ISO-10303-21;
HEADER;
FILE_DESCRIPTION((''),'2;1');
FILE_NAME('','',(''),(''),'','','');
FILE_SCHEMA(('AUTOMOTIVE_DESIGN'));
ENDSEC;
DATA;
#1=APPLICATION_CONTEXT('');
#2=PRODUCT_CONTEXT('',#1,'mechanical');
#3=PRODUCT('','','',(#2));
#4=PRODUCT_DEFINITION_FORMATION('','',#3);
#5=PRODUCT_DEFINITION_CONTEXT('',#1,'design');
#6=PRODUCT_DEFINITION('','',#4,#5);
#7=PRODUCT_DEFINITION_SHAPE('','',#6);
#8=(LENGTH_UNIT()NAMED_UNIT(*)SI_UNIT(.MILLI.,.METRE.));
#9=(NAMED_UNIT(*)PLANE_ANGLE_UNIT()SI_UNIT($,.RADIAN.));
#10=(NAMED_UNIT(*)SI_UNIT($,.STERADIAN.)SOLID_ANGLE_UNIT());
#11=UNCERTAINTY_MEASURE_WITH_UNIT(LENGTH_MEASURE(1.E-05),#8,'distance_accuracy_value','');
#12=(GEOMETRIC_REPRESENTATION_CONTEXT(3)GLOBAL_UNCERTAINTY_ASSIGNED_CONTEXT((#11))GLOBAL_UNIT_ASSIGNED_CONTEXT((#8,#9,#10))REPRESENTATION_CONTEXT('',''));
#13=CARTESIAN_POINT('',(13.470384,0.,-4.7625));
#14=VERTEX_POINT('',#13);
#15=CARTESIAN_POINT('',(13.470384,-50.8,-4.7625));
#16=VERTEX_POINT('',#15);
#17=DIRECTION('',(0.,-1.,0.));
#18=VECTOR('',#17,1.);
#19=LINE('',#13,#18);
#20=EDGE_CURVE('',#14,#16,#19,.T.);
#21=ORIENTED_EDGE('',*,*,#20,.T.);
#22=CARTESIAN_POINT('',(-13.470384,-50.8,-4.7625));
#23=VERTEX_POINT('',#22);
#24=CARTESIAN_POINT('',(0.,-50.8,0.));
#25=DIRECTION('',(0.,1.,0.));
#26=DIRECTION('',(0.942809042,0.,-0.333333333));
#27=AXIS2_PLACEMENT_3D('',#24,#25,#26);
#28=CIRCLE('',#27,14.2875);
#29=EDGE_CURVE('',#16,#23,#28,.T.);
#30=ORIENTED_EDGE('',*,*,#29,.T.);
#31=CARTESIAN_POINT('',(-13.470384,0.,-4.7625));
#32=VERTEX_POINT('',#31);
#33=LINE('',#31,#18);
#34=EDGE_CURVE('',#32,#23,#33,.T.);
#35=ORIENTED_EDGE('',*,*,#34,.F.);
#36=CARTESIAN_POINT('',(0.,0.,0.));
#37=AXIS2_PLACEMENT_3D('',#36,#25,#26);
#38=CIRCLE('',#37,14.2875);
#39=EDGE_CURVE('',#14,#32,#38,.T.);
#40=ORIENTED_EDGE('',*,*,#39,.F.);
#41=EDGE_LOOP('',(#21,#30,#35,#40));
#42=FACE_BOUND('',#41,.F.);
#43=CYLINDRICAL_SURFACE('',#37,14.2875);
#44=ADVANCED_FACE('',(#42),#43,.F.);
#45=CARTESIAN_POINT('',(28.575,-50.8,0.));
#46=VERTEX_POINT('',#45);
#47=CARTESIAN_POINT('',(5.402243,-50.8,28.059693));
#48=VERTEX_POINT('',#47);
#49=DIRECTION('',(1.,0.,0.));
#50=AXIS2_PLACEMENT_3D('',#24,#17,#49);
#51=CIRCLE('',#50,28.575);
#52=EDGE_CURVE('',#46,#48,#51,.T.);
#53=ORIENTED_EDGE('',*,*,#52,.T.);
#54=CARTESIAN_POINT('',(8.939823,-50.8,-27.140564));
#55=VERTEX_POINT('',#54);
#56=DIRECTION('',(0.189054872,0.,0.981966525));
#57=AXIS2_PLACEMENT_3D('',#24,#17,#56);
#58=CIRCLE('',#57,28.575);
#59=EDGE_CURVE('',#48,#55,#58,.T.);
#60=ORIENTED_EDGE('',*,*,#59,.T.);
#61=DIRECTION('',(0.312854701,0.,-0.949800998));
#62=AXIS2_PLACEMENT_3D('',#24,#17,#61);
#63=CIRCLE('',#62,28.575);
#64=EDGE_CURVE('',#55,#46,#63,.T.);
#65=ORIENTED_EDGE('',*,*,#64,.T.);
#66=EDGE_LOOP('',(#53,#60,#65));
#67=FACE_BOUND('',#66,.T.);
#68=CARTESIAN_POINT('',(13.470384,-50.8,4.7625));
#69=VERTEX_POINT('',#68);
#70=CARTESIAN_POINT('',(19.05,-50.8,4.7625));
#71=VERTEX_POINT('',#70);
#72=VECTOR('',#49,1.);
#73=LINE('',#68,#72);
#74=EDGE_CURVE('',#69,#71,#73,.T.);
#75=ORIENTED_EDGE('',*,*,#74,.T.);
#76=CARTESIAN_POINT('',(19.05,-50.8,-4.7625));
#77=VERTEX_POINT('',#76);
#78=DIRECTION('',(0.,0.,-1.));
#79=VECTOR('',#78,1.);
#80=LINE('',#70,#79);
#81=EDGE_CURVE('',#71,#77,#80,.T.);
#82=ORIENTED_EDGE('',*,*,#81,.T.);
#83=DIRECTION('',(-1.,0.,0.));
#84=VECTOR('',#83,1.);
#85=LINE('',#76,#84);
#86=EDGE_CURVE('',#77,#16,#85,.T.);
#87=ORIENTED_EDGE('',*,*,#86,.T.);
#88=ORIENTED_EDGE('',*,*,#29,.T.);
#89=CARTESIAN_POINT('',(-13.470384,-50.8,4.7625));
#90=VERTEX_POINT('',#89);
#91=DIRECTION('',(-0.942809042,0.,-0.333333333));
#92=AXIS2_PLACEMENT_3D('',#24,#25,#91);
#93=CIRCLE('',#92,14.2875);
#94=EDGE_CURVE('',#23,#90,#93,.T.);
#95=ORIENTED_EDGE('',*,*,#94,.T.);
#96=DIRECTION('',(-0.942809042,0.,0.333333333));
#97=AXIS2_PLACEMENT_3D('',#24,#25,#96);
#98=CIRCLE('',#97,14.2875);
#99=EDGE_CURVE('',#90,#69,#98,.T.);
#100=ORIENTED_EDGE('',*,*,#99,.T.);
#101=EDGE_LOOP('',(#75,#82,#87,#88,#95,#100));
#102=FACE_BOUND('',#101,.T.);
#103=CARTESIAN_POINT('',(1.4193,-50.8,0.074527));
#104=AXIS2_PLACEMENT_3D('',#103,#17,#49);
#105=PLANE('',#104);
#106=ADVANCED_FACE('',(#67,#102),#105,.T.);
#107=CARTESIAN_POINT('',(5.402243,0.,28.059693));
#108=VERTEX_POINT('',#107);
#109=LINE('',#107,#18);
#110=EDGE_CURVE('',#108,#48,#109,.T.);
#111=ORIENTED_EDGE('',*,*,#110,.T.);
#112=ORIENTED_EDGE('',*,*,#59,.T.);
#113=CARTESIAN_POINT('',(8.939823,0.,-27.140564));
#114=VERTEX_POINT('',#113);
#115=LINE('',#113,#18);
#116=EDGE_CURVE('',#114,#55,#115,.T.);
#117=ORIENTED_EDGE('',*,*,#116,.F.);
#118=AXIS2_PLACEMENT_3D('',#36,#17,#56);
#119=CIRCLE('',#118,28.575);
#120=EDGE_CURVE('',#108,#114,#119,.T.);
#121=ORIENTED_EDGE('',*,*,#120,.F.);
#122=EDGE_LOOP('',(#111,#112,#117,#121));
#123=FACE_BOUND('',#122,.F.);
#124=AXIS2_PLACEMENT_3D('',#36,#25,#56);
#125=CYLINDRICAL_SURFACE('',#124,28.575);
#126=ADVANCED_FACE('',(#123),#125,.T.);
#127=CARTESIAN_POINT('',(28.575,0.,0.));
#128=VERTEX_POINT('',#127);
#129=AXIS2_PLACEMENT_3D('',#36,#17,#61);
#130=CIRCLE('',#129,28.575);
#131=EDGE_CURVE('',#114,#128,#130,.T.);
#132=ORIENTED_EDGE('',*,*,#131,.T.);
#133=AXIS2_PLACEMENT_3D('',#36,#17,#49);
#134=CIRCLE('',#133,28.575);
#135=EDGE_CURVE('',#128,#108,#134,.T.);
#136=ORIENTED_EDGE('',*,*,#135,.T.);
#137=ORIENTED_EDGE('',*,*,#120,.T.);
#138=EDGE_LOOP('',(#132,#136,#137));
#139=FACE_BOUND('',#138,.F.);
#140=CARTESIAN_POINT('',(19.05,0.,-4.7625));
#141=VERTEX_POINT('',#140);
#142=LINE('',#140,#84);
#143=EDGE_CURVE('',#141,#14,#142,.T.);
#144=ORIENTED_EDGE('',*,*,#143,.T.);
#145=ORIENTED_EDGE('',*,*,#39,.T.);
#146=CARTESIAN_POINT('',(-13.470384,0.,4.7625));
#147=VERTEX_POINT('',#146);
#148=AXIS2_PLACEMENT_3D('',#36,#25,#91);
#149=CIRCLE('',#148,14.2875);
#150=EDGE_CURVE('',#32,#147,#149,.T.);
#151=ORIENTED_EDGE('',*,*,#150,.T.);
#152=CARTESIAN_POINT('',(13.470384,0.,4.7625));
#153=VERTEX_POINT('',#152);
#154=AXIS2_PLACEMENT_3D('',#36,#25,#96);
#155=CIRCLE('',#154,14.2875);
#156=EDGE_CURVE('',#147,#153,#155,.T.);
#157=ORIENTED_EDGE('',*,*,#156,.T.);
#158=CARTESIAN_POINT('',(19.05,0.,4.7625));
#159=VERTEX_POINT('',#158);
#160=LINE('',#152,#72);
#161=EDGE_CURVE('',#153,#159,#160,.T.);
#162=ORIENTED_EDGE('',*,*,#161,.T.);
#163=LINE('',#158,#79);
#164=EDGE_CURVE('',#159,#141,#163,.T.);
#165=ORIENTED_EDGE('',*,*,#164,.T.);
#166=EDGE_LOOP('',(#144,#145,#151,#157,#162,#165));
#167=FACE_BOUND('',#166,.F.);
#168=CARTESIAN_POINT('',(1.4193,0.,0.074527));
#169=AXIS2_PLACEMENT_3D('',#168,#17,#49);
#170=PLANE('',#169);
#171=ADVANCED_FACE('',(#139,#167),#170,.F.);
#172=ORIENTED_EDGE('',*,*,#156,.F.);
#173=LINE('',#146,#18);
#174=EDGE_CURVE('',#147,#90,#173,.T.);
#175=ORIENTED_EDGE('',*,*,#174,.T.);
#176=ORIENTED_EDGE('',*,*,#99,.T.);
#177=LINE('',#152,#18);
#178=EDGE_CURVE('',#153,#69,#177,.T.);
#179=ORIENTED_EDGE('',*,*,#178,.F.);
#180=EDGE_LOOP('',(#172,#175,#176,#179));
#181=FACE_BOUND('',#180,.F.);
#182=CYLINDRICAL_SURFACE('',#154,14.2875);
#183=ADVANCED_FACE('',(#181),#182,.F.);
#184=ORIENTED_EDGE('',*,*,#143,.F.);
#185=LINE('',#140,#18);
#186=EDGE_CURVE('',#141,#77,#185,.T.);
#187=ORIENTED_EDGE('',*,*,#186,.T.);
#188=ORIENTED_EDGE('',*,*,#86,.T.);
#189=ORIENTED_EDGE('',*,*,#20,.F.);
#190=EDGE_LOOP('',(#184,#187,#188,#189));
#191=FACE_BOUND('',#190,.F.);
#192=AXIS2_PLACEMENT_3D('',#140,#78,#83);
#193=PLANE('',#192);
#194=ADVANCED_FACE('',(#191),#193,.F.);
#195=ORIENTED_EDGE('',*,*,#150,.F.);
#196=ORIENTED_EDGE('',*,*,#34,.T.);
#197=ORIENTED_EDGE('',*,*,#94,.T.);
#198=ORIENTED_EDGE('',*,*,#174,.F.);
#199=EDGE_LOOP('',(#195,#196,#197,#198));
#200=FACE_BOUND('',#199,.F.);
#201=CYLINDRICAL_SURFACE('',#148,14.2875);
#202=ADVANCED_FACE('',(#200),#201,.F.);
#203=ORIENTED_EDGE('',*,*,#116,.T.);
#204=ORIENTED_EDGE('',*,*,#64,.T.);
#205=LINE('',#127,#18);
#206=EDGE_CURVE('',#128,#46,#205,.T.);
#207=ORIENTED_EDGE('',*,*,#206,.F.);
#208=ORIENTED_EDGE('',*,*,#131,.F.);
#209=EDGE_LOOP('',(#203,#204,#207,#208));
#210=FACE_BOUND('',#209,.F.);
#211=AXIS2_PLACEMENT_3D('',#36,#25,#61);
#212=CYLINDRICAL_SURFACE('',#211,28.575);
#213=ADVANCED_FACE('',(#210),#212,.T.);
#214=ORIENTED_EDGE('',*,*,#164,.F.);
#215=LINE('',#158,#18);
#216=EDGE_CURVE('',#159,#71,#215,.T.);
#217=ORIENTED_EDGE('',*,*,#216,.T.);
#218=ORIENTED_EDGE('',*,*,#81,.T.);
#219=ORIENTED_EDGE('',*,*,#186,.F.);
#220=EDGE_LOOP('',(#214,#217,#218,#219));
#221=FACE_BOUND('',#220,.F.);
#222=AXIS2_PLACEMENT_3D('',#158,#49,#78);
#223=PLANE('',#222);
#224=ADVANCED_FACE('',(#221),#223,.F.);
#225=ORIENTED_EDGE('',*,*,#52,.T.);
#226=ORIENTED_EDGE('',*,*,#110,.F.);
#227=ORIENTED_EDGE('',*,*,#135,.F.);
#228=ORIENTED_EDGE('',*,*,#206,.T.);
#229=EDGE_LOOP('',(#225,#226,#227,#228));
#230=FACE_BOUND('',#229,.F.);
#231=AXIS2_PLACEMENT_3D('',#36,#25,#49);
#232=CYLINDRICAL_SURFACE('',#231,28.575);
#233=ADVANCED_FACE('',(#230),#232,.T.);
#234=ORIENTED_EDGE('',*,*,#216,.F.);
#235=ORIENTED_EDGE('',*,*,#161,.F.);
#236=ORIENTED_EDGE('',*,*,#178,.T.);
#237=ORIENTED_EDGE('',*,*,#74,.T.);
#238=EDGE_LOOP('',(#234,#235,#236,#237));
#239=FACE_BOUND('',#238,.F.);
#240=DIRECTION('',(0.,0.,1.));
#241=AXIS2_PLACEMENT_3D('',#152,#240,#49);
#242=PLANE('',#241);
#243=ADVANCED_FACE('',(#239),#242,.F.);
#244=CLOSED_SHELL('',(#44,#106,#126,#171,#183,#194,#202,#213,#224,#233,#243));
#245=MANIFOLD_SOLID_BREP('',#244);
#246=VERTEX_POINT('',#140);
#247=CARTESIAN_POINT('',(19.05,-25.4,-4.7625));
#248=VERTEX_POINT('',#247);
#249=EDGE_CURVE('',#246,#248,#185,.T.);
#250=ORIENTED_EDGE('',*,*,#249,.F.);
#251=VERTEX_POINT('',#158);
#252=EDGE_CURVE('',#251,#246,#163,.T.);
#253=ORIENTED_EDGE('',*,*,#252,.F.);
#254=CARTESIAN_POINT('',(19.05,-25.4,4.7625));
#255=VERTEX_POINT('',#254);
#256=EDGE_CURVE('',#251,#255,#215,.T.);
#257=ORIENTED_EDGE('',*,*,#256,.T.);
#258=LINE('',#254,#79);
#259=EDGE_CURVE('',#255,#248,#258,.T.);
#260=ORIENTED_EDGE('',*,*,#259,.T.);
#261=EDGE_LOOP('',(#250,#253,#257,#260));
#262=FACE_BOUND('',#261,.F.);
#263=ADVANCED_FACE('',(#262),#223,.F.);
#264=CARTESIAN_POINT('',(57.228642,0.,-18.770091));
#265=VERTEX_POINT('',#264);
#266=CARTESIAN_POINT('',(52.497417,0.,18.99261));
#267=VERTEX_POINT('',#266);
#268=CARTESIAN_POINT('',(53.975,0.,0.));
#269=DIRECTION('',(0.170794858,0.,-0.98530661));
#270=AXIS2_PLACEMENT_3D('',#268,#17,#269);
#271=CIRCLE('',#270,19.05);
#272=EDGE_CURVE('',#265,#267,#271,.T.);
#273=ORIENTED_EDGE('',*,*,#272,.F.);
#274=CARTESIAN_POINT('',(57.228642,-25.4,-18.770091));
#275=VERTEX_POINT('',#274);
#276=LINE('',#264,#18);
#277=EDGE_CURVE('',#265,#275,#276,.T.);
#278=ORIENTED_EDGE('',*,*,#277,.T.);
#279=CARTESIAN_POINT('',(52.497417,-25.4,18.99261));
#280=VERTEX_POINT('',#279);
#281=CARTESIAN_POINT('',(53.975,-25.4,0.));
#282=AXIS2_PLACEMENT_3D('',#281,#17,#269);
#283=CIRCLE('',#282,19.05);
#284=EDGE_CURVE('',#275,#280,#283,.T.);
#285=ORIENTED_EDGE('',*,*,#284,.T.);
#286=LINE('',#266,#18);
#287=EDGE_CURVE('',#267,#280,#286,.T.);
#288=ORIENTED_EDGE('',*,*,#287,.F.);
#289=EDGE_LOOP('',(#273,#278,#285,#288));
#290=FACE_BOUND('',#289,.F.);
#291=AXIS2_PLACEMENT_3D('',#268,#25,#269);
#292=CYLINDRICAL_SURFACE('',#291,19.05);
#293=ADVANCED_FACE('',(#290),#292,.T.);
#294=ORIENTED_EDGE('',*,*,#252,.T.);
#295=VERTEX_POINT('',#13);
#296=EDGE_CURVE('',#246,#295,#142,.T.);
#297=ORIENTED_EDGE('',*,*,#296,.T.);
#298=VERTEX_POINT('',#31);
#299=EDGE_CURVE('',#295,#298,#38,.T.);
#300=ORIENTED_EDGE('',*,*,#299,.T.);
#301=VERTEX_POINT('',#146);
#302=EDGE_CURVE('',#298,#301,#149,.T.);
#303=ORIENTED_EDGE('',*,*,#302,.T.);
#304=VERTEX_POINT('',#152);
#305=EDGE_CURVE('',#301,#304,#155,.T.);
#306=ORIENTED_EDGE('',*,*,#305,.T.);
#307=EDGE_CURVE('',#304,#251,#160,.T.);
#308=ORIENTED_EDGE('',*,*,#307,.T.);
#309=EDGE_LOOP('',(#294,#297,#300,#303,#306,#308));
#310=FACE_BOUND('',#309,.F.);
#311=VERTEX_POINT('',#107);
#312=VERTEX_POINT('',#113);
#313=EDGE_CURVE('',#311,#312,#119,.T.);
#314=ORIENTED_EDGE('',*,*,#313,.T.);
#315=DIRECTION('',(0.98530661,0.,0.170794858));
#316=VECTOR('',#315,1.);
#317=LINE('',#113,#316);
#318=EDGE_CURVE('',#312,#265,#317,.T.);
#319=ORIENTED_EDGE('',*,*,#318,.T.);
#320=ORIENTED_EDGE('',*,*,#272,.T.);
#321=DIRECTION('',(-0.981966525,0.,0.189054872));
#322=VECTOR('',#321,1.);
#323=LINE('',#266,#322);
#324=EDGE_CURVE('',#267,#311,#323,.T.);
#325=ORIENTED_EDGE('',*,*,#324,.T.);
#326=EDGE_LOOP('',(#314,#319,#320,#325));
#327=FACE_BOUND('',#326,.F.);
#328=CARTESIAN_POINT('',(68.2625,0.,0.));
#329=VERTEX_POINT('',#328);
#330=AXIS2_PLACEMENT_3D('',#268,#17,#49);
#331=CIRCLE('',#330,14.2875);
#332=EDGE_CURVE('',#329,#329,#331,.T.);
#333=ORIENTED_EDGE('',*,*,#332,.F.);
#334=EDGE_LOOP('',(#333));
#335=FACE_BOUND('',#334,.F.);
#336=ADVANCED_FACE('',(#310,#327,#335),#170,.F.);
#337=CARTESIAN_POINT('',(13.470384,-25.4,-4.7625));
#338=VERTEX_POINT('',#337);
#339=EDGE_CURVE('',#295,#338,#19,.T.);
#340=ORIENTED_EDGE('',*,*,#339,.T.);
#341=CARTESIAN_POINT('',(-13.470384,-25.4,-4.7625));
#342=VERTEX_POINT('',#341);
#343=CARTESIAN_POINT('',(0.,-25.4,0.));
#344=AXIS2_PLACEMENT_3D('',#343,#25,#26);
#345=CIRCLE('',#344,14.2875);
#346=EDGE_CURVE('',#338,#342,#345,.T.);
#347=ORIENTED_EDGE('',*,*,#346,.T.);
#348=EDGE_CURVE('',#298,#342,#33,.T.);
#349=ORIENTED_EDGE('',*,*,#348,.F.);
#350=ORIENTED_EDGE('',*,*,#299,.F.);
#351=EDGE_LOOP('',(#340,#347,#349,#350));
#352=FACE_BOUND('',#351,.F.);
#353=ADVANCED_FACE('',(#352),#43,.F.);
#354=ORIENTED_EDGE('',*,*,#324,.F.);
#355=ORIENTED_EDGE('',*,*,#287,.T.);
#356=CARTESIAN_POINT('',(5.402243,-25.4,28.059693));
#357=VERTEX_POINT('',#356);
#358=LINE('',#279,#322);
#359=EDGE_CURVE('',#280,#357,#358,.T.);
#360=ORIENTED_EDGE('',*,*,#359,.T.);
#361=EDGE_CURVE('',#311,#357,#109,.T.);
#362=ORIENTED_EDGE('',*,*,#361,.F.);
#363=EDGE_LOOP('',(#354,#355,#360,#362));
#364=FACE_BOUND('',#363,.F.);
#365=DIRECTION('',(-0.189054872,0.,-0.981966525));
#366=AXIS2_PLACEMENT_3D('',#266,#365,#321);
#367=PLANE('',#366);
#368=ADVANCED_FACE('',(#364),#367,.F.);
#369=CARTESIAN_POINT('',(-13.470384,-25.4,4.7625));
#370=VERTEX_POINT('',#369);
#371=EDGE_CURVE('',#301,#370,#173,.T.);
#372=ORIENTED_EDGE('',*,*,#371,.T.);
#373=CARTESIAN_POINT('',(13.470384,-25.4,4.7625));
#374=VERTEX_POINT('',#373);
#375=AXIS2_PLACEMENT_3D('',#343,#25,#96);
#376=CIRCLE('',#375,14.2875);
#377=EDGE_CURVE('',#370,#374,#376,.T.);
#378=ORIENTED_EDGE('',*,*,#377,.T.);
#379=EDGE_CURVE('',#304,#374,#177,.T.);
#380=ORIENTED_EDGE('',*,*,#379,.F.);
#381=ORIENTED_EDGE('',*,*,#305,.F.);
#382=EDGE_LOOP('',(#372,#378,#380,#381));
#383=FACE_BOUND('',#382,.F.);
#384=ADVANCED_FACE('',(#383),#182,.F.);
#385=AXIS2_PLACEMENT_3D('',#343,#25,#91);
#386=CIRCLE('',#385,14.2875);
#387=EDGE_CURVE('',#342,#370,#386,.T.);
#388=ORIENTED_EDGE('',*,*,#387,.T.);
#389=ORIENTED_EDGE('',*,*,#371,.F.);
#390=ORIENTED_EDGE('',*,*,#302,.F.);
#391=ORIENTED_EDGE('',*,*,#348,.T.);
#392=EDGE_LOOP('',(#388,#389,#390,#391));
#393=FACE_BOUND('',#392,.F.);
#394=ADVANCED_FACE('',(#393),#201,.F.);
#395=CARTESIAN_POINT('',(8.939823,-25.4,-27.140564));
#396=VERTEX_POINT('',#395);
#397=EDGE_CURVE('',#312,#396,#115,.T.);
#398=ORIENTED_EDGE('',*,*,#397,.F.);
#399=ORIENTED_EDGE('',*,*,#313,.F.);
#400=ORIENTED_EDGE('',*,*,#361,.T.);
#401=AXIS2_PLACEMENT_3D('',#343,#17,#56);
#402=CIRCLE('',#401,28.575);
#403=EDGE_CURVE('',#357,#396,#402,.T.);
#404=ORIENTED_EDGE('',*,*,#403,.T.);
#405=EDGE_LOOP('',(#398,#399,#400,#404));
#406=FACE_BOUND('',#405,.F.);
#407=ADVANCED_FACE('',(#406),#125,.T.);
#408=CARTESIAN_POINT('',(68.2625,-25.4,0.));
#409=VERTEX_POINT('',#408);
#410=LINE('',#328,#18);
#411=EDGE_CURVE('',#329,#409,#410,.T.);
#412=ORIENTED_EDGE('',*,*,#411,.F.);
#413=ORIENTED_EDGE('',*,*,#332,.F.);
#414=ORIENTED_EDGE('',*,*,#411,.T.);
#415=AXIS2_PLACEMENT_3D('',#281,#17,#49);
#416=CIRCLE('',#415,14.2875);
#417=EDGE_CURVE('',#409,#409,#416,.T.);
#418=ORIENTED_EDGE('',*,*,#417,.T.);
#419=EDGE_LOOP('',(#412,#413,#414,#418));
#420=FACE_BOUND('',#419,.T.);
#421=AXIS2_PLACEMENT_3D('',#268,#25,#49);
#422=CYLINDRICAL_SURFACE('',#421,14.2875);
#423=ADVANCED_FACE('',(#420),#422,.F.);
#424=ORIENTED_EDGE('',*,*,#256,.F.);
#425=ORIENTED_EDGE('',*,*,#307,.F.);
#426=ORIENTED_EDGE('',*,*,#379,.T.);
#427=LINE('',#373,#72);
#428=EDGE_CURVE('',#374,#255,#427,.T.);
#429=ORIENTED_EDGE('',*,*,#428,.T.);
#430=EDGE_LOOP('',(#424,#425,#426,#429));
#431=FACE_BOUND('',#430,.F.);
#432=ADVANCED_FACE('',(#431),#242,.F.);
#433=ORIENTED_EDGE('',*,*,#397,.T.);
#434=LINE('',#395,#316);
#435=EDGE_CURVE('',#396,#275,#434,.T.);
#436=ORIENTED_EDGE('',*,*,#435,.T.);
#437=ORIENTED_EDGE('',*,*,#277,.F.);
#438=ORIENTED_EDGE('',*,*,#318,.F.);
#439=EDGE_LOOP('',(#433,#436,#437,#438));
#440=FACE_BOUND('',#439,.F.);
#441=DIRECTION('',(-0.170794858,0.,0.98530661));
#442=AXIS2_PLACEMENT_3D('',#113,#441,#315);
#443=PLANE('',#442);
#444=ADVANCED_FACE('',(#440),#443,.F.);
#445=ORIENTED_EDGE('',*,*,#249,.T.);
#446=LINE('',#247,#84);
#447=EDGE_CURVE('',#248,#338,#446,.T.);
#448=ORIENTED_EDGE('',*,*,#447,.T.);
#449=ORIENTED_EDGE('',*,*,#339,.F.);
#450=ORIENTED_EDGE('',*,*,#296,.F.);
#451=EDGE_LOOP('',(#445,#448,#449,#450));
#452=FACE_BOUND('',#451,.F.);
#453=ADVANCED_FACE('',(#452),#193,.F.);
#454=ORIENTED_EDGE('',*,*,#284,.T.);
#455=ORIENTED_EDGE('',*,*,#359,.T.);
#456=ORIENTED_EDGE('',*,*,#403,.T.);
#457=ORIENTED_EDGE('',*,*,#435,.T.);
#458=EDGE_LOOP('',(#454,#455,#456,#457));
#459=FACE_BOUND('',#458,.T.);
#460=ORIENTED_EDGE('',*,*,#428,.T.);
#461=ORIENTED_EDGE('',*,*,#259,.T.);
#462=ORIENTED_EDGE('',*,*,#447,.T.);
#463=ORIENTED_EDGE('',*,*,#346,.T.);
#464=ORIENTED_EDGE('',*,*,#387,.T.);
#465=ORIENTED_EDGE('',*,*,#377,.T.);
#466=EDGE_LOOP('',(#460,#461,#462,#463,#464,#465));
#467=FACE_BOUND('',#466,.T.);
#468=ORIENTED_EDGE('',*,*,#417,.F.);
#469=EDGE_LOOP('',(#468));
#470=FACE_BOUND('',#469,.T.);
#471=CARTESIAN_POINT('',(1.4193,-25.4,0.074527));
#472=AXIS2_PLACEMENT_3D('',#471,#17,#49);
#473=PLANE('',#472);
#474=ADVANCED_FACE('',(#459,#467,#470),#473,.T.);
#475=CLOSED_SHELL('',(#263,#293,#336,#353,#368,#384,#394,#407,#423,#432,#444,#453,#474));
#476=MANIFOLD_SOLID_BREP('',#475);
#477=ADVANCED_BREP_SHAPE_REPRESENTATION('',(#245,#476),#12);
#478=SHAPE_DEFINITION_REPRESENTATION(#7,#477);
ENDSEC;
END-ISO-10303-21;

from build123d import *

# Parameters (mm, degrees)
F0_R     = 14.2875
F1_DEPTH = 25.4
F2_DEPTH = 50.8


with BuildPart() as f1:
    # F0 (on Front) → F1 (new body)
    with BuildSketch(Plane.XZ):
        with BuildLine():
            ThreePointArc((8.9398230942, -27.1405635174), (23.1515233831, -16.7492564026), (28.575, 0))
            ThreePointArc((28.575, 0), (22.0329266955, 18.19562492), (5.4022429586, 28.0596934412))
            ThreePointArc((5.4022429586, 28.0596934412), (-28.5165006048, -1.8275169652), (8.9398230942, -27.1405635174))
        make_face()
        with BuildLine():
            ThreePointArc((-13.4703841816, 4.7625), (0, 14.2875), (13.4703841816, 4.7625))
            Line((13.4703841816, 4.7625), (19.05, 4.7625))
            Line((19.05, 4.7625), (19.05, -4.7625))
            Line((19.05, -4.7625), (13.4703841816, -4.7625))
            ThreePointArc((13.4703841816, -4.7625), (0, -14.2875), (-13.4703841816, -4.7625))
            Line((-13.4703841816, -4.7625), (-19.05, -4.7625))
            Line((-19.05, -4.7625), (-19.05, 4.7625))
            Line((-19.05, 4.7625), (-13.4703841816, 4.7625))
        make_face(mode=Mode.SUBTRACT)
        with BuildLine():
            ThreePointArc((73.025, 0), (66.9124367976, 13.9830336161), (52.4974168915, 18.9926103566))
            ThreePointArc((52.4974168915, 18.9926103566), (35.0727779504, -2.3682275199), (57.2286420445, -18.770090928))
            ThreePointArc((57.2286420445, -18.770090928), (68.5503967518, -12.2662263768), (73.025, 0))
        make_face()
        with Locations((53.975, 0)):
            Circle(F0_R, mode=Mode.SUBTRACT)
        with BuildLine():
            ThreePointArc((5.4022429586, 28.0596934412), (22.0329266955, 18.19562492), (28.575, 0))
            ThreePointArc((28.575, 0), (23.1515233831, -16.7492564026), (8.9398230942, -27.1405635174))
            Line((8.9398230942, -27.1405635174), (57.2286420445, -18.770090928))
            ThreePointArc((57.2286420445, -18.770090928), (35.0727779504, -2.3682275199), (52.4974168915, 18.9926103566))
            Line((52.4974168915, 18.9926103566), (5.4022429586, 28.0596934412))
        make_face()
        with BuildLine():
            ThreePointArc((-13.4703841816, -4.7625), (-14.2875, 0), (-13.4703841816, 4.7625))
            Line((-13.4703841816, 4.7625), (-19.05, 4.7625))
            Line((-19.05, 4.7625), (-19.05, -4.7625))
            Line((-19.05, -4.7625), (-13.4703841816, -4.7625))
        make_face()
    extrude(amount=F1_DEPTH)


with BuildPart() as f2:
    # F0 (on Front) → F2 (new body)
    with BuildSketch(Plane.XZ):
        with BuildLine():
            ThreePointArc((8.9398230942, -27.1405635174), (23.1515233831, -16.7492564026), (28.575, 0))
            ThreePointArc((28.575, 0), (22.0329266955, 18.19562492), (5.4022429586, 28.0596934412))
            ThreePointArc((5.4022429586, 28.0596934412), (-28.5165006048, -1.8275169652), (8.9398230942, -27.1405635174))
        make_face()
        with BuildLine():
            ThreePointArc((-13.4703841816, 4.7625), (0, 14.2875), (13.4703841816, 4.7625))
            Line((13.4703841816, 4.7625), (19.05, 4.7625))
            Line((19.05, 4.7625), (19.05, -4.7625))
            Line((19.05, -4.7625), (13.4703841816, -4.7625))
            ThreePointArc((13.4703841816, -4.7625), (0, -14.2875), (-13.4703841816, -4.7625))
            Line((-13.4703841816, -4.7625), (-19.05, -4.7625))
            Line((-19.05, -4.7625), (-19.05, 4.7625))
            Line((-19.05, 4.7625), (-13.4703841816, 4.7625))
        make_face(mode=Mode.SUBTRACT)
        with BuildLine():
            ThreePointArc((-13.4703841816, -4.7625), (-14.2875, 0), (-13.4703841816, 4.7625))
            Line((-13.4703841816, 4.7625), (-19.05, 4.7625))
            Line((-19.05, 4.7625), (-19.05, -4.7625))
            Line((-19.05, -4.7625), (-13.4703841816, -4.7625))
        make_face()
    extrude(amount=F2_DEPTH)


solid = Compound([f1.part, f2.part])
